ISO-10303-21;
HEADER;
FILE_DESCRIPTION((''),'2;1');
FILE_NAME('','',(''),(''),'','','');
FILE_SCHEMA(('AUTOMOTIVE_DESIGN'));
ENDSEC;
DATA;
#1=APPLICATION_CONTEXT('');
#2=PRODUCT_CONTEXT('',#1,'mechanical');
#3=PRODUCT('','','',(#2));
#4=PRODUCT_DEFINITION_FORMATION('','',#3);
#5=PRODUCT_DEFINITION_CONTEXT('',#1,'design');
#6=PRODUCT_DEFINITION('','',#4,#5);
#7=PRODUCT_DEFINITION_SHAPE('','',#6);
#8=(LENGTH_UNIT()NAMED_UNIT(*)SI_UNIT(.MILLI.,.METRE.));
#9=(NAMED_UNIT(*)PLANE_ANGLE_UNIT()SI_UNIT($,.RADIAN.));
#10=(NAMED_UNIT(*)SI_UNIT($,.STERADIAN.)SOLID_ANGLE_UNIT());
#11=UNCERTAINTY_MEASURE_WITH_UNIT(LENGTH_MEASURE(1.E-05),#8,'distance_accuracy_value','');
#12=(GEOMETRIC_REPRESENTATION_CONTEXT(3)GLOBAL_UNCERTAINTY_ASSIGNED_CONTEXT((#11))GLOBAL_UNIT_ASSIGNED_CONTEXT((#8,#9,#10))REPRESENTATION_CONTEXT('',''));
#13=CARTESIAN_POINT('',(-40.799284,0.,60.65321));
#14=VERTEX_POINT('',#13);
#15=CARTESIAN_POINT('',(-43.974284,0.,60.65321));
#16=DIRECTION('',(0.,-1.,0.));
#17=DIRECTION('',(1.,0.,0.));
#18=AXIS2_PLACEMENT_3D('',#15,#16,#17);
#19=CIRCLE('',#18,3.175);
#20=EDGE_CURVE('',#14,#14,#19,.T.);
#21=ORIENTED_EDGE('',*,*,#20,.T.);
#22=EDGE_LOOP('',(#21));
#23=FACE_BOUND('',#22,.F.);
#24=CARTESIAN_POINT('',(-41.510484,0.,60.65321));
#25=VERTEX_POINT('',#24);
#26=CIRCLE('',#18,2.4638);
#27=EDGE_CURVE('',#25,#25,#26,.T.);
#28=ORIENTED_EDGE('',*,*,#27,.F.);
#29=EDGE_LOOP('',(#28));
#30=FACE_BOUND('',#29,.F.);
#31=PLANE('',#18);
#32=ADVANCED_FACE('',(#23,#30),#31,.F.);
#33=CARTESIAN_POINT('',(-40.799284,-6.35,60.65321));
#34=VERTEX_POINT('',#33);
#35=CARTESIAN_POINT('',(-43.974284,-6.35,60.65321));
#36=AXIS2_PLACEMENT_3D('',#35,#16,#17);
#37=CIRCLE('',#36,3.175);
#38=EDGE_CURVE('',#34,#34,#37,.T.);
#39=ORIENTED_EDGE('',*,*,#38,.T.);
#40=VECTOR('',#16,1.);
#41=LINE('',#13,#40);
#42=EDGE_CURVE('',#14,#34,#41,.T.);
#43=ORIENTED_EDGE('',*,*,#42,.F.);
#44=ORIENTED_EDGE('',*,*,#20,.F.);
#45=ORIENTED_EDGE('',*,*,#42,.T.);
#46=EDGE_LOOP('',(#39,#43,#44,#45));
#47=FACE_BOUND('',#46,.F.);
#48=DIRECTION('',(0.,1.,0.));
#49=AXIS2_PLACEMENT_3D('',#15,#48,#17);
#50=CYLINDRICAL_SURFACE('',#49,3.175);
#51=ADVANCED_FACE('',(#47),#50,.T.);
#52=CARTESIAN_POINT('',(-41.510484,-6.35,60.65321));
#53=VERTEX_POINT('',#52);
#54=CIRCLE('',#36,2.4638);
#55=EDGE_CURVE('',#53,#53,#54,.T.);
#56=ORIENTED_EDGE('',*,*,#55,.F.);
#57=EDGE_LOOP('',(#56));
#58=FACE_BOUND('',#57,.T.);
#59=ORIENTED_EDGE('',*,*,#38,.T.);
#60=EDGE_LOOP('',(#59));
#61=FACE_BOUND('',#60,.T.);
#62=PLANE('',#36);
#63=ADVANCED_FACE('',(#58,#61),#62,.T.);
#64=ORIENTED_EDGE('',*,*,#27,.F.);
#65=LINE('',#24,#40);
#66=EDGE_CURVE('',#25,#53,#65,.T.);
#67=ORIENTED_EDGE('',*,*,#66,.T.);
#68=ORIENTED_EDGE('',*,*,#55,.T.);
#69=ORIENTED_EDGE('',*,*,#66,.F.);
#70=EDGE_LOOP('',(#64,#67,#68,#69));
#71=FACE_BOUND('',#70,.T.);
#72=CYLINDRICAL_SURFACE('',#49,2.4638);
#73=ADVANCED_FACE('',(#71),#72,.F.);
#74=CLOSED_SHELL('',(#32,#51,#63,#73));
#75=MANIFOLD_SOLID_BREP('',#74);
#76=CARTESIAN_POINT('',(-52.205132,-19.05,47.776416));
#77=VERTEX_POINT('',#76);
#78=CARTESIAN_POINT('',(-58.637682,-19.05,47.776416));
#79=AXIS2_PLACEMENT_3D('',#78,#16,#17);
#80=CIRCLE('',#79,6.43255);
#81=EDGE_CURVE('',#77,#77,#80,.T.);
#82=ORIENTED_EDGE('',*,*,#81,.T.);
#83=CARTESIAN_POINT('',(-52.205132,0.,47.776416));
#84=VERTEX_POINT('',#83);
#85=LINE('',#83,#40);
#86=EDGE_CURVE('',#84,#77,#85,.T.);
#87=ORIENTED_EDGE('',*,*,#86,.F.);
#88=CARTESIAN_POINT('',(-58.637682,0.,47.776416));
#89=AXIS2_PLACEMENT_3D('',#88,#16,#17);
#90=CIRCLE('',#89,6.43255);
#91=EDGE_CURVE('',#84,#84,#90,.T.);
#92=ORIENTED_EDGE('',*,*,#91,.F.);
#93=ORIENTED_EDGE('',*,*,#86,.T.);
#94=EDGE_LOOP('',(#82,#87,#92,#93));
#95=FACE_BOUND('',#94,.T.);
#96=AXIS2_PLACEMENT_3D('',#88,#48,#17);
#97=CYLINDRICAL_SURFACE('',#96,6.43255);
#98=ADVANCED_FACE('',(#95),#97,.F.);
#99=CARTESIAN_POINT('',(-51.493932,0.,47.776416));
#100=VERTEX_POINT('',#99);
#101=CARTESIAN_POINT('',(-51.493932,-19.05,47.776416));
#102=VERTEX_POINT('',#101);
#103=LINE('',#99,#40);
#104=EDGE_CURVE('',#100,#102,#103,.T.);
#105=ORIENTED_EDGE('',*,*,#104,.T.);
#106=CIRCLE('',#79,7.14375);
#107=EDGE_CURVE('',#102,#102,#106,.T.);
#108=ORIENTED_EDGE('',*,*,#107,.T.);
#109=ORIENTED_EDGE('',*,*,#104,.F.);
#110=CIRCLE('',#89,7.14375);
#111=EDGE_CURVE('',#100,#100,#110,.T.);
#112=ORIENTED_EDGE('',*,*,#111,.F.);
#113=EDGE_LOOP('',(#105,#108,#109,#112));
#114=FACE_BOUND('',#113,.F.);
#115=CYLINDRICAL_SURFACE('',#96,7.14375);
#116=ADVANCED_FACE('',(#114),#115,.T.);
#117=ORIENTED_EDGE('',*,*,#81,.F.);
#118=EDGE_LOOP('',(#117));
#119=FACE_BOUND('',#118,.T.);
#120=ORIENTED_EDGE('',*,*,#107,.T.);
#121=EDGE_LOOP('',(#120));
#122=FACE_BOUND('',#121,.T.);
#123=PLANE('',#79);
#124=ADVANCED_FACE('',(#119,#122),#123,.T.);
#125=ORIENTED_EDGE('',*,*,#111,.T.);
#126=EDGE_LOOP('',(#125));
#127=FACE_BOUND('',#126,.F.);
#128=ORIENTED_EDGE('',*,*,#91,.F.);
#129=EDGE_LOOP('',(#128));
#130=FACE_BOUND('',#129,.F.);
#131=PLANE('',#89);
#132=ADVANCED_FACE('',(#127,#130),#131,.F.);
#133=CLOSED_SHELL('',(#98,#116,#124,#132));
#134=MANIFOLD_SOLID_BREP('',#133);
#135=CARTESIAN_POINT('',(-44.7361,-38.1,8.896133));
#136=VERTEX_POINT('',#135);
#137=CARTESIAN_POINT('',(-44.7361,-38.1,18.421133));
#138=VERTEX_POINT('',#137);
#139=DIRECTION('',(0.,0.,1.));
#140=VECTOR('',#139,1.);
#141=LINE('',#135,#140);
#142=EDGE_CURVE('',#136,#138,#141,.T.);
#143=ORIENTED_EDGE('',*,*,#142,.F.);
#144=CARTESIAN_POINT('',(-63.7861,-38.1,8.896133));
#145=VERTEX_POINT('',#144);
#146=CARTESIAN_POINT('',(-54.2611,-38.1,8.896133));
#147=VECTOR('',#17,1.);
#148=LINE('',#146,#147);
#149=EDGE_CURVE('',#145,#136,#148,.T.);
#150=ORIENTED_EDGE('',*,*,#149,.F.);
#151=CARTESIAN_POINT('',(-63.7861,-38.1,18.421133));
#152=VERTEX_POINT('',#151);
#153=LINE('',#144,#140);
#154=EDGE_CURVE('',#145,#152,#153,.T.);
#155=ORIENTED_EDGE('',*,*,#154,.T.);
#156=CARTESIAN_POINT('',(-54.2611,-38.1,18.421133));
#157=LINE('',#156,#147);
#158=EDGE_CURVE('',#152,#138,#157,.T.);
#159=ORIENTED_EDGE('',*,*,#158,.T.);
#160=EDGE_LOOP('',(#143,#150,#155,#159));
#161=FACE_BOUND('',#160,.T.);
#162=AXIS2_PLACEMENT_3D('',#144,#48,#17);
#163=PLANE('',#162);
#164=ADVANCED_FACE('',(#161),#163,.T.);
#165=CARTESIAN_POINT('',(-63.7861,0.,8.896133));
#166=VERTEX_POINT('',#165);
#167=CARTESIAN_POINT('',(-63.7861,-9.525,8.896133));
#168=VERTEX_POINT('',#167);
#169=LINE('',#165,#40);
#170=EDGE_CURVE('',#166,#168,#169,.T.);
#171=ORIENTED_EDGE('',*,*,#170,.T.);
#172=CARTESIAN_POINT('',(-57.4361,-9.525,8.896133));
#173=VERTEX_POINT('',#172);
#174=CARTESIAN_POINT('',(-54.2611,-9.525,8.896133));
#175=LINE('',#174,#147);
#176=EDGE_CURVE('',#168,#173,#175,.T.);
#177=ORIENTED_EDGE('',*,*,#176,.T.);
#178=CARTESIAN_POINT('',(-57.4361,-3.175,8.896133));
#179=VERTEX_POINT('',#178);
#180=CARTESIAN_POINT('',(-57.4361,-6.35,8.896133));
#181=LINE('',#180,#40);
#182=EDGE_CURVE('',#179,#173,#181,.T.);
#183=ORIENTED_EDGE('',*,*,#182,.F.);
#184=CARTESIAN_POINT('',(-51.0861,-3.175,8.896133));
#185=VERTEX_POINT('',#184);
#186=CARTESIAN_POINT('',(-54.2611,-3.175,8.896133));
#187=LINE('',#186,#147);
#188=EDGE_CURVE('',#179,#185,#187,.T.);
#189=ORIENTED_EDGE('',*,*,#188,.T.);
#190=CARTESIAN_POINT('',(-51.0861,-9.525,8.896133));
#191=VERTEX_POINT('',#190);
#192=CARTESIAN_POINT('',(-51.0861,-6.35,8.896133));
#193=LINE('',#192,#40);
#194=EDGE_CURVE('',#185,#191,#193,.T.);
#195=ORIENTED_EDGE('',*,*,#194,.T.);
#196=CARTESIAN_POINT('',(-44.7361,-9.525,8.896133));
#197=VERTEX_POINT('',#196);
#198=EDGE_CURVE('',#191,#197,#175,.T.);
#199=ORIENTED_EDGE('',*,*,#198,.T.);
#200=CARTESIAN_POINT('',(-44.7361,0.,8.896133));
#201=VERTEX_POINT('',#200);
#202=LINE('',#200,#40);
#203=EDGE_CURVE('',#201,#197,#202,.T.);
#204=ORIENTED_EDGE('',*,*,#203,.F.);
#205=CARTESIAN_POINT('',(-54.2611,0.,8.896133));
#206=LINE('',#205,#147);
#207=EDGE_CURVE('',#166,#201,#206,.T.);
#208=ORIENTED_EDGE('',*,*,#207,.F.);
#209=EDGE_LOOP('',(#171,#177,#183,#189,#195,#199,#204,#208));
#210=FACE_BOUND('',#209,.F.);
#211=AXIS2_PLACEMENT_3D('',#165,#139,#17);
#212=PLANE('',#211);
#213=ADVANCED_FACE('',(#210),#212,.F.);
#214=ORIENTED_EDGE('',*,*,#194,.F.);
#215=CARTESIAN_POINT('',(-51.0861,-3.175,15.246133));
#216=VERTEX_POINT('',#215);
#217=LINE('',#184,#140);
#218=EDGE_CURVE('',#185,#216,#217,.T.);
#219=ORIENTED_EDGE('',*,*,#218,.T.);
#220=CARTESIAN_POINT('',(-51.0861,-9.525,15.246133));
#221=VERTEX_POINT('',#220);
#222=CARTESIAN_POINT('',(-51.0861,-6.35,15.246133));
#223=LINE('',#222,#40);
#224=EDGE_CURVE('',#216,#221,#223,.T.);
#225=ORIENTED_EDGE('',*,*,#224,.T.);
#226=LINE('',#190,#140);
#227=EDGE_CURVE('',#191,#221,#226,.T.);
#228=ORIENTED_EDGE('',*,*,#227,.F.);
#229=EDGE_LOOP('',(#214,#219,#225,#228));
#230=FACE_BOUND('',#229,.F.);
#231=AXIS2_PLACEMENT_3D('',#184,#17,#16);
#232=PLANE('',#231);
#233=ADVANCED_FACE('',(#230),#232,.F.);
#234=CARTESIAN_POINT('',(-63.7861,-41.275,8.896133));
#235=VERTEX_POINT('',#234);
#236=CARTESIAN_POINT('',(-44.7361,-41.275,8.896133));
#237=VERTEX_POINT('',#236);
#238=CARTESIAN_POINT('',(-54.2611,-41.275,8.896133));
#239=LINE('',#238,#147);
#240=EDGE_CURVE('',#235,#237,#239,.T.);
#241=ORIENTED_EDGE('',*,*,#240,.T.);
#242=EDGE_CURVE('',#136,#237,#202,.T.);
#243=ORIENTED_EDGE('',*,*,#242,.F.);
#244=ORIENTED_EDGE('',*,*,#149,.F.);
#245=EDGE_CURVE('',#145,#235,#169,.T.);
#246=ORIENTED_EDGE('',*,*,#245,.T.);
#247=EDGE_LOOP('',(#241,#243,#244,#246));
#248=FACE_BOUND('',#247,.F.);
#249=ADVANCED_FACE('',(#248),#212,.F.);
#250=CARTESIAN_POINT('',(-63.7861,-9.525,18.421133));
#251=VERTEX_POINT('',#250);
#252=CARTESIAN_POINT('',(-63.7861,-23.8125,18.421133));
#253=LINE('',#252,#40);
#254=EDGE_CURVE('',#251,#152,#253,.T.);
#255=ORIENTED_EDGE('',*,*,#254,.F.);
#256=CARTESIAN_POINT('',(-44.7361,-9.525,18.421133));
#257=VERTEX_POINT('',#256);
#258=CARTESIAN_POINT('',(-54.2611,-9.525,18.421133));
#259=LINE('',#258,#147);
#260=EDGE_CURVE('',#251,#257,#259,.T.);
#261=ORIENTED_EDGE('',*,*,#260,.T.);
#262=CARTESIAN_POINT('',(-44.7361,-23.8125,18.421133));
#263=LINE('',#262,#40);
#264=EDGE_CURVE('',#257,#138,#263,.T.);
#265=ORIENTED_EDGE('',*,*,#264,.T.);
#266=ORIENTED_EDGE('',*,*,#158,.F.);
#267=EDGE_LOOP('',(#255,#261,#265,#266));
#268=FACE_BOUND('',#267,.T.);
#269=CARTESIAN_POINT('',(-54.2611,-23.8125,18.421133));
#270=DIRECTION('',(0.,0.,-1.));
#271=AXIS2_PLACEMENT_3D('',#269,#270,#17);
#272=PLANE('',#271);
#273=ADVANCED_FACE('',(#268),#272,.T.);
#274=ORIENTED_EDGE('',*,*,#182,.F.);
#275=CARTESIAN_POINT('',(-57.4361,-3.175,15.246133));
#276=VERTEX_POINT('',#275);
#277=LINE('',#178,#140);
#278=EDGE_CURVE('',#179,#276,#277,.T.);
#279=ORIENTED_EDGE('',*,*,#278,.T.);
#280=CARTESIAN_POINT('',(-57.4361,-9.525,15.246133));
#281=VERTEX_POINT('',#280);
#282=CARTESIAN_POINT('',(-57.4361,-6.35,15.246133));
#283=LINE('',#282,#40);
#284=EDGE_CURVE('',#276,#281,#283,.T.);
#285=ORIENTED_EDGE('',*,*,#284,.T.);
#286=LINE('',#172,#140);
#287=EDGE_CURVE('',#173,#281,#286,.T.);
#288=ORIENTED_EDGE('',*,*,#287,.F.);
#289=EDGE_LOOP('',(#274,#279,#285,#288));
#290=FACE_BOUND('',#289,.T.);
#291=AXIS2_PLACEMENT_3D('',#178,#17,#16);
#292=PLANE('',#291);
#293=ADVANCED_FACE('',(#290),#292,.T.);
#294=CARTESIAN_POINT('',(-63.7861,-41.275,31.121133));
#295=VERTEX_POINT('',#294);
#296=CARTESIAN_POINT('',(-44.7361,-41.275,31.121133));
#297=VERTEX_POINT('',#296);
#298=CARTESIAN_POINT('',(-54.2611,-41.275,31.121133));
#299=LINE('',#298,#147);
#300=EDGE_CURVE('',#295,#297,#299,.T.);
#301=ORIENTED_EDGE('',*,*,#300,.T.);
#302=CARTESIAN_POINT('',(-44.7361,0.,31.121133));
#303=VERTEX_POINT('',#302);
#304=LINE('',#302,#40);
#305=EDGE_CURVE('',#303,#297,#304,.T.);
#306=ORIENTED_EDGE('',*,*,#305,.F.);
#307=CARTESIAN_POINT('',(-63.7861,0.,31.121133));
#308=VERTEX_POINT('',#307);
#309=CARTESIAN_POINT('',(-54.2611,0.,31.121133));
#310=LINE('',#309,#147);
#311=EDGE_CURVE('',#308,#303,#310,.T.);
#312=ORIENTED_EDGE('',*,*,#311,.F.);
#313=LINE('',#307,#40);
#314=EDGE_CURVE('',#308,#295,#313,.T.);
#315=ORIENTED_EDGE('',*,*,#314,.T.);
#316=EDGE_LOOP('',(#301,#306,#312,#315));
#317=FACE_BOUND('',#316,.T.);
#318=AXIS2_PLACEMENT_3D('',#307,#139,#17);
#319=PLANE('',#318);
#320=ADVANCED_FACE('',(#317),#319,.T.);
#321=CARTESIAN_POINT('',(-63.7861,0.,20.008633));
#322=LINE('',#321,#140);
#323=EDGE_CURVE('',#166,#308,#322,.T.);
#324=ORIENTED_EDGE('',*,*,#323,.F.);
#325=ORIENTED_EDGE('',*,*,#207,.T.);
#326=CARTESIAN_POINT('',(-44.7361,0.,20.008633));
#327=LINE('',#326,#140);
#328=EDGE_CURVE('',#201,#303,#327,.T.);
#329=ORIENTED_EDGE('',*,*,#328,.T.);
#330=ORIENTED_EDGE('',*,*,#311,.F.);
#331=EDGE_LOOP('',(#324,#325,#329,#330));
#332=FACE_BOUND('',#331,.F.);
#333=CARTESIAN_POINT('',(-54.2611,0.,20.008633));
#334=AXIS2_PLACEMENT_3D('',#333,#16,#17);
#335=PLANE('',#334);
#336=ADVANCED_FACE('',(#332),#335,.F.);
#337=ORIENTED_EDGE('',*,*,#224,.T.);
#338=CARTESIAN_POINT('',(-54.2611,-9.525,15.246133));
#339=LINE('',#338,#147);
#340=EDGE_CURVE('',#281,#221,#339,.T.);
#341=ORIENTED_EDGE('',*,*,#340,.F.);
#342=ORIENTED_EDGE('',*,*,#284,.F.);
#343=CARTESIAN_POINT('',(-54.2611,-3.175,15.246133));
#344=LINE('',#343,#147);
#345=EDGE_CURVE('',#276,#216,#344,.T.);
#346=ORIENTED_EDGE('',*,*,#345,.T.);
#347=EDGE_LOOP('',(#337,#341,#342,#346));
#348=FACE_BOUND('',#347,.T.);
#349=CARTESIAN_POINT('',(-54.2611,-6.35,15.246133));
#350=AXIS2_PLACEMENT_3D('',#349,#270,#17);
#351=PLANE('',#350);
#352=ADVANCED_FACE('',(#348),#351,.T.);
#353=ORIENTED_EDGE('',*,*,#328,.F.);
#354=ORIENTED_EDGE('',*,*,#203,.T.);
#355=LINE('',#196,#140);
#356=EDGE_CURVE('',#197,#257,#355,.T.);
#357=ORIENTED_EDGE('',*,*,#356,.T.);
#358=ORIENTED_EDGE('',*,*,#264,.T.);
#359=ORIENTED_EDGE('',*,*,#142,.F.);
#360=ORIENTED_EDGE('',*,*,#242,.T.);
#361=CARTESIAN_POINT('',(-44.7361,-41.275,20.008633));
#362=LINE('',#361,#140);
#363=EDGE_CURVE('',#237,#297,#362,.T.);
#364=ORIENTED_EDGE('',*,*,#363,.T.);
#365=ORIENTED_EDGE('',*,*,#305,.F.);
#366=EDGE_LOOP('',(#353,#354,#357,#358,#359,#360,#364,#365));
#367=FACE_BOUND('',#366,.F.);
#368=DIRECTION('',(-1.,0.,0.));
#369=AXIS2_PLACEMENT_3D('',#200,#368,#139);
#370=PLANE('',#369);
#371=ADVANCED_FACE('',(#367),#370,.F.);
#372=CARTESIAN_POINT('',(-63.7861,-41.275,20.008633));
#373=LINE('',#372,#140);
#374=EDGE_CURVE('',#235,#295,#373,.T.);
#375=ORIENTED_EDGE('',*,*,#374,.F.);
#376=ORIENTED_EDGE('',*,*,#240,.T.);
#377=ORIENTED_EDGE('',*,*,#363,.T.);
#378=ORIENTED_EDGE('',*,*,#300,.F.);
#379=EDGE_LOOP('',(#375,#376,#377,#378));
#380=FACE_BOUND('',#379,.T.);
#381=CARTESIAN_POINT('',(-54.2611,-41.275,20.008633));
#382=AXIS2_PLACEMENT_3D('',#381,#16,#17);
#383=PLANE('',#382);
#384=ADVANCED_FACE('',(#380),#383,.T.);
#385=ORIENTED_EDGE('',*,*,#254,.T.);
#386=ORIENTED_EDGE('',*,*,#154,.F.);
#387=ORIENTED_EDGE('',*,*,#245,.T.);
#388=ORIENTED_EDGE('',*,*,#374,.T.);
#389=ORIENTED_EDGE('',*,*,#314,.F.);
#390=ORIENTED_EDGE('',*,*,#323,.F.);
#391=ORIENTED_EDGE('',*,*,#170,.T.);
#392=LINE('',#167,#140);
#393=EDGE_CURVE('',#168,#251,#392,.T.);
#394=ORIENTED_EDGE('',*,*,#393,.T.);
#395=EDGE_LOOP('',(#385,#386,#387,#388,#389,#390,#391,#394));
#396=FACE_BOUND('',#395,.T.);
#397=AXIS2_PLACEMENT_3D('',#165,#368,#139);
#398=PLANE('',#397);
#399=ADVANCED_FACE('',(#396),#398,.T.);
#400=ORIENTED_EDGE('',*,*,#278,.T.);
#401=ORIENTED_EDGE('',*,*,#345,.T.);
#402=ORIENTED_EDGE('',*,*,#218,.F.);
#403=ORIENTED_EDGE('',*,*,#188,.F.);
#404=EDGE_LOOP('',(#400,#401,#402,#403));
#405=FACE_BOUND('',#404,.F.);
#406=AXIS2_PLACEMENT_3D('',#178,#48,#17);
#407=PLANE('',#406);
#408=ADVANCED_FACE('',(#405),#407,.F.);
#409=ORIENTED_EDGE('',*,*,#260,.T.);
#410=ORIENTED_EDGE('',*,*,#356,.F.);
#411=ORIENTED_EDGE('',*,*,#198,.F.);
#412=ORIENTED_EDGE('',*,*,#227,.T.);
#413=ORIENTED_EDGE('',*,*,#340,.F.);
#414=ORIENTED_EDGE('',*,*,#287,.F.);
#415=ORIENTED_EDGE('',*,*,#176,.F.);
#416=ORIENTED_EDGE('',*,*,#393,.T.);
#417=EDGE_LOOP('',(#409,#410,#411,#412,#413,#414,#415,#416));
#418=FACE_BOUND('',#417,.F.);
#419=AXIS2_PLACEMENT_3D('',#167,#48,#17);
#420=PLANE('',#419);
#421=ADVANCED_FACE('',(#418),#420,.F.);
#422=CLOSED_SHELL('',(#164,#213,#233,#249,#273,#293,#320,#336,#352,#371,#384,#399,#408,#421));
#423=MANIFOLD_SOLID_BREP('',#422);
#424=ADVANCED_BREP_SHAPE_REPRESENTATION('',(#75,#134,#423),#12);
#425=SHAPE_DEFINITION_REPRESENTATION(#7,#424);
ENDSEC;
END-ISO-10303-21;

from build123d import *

# Parameters (mm, degrees)
F0_R     = 7.14375
F0_R_2   = 6.43255
F1_DEPTH = 19.05
F2_R     = 3.175
F2_R_2   = 2.4638
F3_DEPTH = 6.35
F4_W     = 19.05
F4_H     = 22.225
F5_DEPTH = 41.275
F6_W     = 19.05
F6_H     = 28.575
F7_DEPTH = 9.525
F8_W     = 6.35
F8_H     = 6.35
F9_DEPTH = 6.35


with BuildPart() as f1:
    # F0 (on Front) → F1 (new body)
    with BuildSketch(Plane.XZ):
        with Locations((-58.637682, 47.776416)):
            Circle(F0_R)
        with Locations((-58.637682, 47.776416)):
            Circle(F0_R_2, mode=Mode.SUBTRACT)
    extrude(amount=F1_DEPTH)


with BuildPart() as f3:
    # F2 (on Front) → F3 (new body)
    with BuildSketch(Plane.XZ):
        with Locations((-43.974284, 60.65321)):
            Circle(F2_R)
        with Locations((-43.974284, 60.65321)):
            Circle(F2_R_2, mode=Mode.SUBTRACT)
    extrude(amount=F3_DEPTH)


with BuildPart() as f5:
    # F4 (on Front) → F5 (new body)
    with BuildSketch(Plane.XZ):
        with Locations((-54.2611, 20.008633)):
            Rectangle(F4_W, F4_H)
    extrude(amount=F5_DEPTH)

    # F6 (on face) → F7 (cut)
    with BuildSketch(Plane(origin=(0, 0, 8.896133), x_dir=(1, 0, 0), z_dir=(0, 0, -1))):
        with Locations((-54.2611, 23.8125)):
            Rectangle(F6_W, F6_H)
    extrude(amount=-F7_DEPTH, mode=Mode.SUBTRACT)

    # F8 (on face) → F9 (cut)
    with BuildSketch(Plane(origin=(0, 0, 8.896133), x_dir=(1, 0, 0), z_dir=(0, 0, -1))):
        with Locations((-54.2611, 6.35)):
            Rectangle(F8_W, F8_H)
    extrude(amount=-F9_DEPTH, mode=Mode.SUBTRACT)


solid = Compound([f1.part, f3.part, f5.part])
